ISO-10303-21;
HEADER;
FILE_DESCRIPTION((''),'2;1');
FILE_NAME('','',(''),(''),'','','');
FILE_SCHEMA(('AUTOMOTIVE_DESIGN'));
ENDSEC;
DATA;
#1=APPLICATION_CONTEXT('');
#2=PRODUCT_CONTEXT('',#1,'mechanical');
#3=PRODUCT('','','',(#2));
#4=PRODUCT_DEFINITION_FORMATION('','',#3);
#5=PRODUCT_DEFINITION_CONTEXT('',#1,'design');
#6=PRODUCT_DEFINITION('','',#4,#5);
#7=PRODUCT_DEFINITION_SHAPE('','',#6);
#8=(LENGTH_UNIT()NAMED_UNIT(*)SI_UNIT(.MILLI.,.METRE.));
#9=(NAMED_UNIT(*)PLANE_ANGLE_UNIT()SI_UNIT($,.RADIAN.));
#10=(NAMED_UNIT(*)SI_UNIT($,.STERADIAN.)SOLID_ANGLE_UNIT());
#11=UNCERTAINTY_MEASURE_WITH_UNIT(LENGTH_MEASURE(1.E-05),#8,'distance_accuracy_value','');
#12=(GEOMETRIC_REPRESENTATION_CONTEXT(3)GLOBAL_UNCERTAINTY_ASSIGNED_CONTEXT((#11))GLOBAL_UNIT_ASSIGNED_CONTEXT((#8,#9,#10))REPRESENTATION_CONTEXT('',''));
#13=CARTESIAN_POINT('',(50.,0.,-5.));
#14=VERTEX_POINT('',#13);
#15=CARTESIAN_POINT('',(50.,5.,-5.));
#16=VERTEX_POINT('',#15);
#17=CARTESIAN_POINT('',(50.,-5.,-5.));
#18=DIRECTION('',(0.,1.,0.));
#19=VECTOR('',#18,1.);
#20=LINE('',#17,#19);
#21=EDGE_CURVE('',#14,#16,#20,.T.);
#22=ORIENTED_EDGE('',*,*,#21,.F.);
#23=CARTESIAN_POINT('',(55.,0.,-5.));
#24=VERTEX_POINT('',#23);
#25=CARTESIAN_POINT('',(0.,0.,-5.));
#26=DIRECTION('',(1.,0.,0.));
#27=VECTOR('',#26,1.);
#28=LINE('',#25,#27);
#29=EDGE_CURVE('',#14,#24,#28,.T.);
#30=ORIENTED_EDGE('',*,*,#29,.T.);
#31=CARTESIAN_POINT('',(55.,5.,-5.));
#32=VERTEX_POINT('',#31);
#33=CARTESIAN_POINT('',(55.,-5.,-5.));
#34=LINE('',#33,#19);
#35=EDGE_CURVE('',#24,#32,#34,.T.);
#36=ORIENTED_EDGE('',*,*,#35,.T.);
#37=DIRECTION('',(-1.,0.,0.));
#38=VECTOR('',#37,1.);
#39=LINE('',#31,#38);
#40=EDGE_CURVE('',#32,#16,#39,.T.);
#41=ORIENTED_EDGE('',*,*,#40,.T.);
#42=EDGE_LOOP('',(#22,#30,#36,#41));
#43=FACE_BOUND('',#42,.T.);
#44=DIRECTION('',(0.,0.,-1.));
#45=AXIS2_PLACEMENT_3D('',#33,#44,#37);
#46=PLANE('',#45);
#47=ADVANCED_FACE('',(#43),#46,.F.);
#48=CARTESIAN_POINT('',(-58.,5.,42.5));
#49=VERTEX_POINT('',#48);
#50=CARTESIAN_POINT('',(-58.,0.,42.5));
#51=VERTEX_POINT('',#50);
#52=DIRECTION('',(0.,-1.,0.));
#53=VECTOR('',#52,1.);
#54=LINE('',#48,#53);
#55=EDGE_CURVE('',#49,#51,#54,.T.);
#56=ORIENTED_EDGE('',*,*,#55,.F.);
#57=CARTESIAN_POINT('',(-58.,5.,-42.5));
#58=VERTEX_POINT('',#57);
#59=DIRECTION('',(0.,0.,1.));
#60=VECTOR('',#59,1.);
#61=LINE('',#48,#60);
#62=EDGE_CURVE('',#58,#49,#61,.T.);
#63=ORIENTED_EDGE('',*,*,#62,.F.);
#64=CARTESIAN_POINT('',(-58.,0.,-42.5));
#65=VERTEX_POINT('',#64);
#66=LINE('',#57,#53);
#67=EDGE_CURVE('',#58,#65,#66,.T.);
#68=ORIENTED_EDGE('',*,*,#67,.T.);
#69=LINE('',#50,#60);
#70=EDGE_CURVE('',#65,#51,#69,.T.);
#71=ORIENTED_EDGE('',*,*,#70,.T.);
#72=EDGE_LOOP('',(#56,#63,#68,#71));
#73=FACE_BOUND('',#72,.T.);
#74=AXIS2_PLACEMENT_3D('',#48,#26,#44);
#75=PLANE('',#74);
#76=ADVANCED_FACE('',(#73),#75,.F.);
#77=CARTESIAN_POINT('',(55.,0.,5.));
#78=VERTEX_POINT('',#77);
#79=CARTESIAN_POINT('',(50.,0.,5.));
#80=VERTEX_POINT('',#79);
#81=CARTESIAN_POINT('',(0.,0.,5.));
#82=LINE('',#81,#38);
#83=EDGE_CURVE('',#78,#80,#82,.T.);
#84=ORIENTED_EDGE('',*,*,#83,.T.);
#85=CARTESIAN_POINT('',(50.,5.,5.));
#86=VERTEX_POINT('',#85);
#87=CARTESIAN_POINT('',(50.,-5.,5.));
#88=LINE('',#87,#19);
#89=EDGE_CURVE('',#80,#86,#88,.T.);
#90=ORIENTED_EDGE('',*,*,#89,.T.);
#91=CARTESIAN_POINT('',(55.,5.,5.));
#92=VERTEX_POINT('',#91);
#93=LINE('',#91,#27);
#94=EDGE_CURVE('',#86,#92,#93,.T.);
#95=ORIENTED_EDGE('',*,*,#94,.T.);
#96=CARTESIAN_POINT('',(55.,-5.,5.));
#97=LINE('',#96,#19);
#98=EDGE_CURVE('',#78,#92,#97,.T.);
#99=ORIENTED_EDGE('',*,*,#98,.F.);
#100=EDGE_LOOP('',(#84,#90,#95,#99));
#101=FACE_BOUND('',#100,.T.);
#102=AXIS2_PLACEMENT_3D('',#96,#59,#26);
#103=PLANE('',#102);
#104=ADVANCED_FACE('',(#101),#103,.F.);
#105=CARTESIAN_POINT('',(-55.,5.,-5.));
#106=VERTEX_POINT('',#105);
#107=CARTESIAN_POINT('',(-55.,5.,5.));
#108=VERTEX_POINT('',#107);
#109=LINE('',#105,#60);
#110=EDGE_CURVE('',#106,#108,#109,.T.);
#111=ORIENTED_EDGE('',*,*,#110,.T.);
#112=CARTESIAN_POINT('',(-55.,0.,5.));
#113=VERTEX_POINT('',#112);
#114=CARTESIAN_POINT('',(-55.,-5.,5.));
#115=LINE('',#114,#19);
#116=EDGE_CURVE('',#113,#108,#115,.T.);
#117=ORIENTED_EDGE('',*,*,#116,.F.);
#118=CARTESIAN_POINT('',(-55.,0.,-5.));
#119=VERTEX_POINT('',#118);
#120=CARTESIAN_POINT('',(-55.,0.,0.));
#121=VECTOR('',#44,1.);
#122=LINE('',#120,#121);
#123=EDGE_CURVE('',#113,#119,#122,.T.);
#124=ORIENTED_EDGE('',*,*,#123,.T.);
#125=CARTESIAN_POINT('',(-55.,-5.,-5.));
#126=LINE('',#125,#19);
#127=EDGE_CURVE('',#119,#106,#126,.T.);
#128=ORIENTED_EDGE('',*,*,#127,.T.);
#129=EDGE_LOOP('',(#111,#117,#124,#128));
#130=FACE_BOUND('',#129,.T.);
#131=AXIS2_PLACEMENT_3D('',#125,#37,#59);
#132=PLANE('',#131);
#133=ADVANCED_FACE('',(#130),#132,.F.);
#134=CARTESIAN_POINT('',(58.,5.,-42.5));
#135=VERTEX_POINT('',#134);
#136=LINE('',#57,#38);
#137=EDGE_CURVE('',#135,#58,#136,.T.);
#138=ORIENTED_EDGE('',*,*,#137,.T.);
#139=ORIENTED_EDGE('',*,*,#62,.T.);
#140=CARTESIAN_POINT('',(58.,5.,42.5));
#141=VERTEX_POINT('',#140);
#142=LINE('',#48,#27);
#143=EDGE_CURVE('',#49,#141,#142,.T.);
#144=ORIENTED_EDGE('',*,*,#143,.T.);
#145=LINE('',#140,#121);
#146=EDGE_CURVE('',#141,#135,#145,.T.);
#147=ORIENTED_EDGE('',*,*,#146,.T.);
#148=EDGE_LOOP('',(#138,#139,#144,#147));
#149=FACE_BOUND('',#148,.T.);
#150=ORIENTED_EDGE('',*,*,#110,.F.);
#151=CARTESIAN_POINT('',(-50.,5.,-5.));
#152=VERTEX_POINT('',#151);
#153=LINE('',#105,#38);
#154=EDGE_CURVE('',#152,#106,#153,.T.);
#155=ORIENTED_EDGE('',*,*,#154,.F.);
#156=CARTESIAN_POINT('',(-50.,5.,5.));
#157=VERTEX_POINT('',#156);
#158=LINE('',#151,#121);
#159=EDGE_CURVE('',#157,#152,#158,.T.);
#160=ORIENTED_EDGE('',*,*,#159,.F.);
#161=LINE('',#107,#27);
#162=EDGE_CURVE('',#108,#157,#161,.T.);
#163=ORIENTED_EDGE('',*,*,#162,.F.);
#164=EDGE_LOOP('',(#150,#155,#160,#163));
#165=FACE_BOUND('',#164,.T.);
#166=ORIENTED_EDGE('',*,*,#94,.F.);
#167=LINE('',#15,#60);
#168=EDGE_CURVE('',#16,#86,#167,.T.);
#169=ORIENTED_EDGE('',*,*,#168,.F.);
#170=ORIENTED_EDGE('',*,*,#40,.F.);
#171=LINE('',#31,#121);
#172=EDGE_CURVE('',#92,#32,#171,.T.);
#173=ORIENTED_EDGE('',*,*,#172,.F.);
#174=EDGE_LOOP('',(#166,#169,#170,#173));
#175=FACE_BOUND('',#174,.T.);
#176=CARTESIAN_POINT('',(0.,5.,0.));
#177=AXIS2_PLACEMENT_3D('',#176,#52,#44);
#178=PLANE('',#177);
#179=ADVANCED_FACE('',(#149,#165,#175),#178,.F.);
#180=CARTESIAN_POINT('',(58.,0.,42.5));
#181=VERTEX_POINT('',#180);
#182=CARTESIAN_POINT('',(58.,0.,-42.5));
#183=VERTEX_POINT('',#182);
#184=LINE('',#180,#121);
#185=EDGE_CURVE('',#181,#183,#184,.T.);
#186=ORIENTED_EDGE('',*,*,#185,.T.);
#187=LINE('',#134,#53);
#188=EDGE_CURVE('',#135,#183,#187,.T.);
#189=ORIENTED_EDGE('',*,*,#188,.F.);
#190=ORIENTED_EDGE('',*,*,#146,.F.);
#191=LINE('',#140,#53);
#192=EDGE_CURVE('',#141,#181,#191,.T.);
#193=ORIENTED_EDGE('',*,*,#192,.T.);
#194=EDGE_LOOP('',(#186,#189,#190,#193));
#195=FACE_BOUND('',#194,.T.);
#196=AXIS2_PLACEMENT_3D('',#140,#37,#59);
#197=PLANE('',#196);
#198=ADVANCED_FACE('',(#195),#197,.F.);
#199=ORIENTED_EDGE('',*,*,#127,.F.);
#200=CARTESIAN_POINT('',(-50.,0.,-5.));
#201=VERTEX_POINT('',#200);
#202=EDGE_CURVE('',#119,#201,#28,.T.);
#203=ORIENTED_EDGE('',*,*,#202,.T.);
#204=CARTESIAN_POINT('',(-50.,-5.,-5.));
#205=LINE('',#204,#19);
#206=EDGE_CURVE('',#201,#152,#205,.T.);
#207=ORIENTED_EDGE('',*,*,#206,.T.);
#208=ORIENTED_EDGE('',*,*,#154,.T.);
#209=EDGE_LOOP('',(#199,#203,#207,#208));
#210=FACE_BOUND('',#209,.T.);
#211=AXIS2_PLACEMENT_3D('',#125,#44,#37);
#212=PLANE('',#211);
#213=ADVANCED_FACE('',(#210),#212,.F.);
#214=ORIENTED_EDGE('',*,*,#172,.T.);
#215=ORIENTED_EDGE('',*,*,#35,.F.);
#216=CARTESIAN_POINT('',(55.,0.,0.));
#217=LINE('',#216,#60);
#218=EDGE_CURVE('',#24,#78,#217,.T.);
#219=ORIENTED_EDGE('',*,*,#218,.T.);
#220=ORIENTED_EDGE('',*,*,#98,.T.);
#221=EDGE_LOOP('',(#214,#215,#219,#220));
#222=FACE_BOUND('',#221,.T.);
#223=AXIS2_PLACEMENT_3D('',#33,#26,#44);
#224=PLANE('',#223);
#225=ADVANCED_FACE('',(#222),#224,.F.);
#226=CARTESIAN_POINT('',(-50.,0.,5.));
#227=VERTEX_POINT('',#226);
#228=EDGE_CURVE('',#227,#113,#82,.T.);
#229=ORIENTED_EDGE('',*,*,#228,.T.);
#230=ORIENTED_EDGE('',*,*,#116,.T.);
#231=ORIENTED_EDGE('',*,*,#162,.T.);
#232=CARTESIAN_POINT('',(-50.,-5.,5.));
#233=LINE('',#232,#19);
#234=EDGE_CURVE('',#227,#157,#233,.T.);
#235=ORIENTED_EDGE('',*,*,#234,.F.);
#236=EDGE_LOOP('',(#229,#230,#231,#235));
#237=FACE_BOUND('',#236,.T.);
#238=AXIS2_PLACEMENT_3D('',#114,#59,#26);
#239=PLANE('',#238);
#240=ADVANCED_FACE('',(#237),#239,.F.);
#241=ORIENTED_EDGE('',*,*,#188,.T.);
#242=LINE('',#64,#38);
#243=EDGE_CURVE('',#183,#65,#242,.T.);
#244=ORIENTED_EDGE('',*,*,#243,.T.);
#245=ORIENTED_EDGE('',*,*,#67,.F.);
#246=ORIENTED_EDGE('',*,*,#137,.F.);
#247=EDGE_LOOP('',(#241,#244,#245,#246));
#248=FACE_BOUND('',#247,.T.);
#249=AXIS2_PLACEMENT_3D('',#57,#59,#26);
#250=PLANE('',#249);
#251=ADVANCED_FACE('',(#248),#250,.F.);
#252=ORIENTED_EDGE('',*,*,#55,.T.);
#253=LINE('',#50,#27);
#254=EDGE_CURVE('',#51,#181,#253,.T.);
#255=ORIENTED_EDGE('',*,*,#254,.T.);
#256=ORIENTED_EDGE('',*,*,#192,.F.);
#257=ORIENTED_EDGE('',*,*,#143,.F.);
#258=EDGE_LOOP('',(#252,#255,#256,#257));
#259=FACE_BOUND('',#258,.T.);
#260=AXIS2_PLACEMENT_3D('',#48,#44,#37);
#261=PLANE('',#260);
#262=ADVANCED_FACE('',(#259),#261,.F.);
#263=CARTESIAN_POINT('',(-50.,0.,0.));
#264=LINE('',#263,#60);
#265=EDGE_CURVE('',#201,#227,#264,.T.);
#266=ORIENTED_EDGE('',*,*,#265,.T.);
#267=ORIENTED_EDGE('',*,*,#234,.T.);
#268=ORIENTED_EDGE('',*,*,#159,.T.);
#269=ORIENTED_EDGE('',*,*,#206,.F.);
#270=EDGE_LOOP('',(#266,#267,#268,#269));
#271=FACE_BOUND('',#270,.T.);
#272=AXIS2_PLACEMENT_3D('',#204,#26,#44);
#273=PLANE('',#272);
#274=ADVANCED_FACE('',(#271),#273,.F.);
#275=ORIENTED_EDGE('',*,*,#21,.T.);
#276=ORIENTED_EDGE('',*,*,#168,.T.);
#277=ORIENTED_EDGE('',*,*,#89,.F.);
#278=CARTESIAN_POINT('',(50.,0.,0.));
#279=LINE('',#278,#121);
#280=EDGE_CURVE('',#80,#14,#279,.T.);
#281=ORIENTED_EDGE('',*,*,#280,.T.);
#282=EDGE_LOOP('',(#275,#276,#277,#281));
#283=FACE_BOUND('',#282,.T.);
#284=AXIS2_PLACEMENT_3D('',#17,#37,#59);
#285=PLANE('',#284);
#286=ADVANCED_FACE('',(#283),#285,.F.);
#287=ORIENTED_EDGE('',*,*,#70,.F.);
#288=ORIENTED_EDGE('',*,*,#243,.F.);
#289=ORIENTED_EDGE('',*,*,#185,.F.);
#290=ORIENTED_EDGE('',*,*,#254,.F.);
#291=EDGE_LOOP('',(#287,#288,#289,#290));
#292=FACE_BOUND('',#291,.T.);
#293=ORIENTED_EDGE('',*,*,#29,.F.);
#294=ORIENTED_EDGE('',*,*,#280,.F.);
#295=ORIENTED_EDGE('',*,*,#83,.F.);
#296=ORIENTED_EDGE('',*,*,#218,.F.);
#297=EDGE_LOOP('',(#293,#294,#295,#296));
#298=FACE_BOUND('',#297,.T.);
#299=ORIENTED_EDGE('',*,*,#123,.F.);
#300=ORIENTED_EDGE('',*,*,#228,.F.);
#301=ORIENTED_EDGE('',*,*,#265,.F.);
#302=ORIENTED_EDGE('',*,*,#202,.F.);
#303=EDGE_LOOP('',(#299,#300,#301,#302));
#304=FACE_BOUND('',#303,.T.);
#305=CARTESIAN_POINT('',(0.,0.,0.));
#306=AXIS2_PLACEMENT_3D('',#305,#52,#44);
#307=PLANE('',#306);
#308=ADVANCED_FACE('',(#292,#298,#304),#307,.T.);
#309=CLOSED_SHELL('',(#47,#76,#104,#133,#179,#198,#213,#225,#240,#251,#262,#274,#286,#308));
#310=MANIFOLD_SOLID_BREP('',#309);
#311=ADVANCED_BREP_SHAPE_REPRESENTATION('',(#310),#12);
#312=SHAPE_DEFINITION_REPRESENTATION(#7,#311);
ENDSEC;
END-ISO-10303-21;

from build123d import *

# Parameters (mm, degrees)
SKETCH1_W           = 116
SKETCH1_H           = 85
BOSS_EXTRUDE1_DEPTH = 5
SKETCH3_W           = 5
SKETCH3_H           = 10
CUT_EXTRUDE1_DEPTH  = 10


with BuildPart() as part:
    # Sketch1 → Boss-Extrude1 (new body)
    with BuildSketch(Plane(origin=(0, 0, 0), x_dir=(1, 0, 0), z_dir=(0, 1, 0))):
        Rectangle(SKETCH1_W, SKETCH1_H)
    extrude(amount=BOSS_EXTRUDE1_DEPTH)

    # Sketch3 → Cut-Extrude1 (cut)
    with BuildSketch(Plane(origin=(0, 5, 0), x_dir=(1, 0, 0), z_dir=(0, 1, 0))):
        with Locations((-52.5, 0)):
            Rectangle(SKETCH3_W, SKETCH3_H)
        with Locations((52.5, 0)):
            Rectangle(SKETCH3_W, SKETCH3_H)
    extrude(amount=-CUT_EXTRUDE1_DEPTH, mode=Mode.SUBTRACT)


solid = part.part
